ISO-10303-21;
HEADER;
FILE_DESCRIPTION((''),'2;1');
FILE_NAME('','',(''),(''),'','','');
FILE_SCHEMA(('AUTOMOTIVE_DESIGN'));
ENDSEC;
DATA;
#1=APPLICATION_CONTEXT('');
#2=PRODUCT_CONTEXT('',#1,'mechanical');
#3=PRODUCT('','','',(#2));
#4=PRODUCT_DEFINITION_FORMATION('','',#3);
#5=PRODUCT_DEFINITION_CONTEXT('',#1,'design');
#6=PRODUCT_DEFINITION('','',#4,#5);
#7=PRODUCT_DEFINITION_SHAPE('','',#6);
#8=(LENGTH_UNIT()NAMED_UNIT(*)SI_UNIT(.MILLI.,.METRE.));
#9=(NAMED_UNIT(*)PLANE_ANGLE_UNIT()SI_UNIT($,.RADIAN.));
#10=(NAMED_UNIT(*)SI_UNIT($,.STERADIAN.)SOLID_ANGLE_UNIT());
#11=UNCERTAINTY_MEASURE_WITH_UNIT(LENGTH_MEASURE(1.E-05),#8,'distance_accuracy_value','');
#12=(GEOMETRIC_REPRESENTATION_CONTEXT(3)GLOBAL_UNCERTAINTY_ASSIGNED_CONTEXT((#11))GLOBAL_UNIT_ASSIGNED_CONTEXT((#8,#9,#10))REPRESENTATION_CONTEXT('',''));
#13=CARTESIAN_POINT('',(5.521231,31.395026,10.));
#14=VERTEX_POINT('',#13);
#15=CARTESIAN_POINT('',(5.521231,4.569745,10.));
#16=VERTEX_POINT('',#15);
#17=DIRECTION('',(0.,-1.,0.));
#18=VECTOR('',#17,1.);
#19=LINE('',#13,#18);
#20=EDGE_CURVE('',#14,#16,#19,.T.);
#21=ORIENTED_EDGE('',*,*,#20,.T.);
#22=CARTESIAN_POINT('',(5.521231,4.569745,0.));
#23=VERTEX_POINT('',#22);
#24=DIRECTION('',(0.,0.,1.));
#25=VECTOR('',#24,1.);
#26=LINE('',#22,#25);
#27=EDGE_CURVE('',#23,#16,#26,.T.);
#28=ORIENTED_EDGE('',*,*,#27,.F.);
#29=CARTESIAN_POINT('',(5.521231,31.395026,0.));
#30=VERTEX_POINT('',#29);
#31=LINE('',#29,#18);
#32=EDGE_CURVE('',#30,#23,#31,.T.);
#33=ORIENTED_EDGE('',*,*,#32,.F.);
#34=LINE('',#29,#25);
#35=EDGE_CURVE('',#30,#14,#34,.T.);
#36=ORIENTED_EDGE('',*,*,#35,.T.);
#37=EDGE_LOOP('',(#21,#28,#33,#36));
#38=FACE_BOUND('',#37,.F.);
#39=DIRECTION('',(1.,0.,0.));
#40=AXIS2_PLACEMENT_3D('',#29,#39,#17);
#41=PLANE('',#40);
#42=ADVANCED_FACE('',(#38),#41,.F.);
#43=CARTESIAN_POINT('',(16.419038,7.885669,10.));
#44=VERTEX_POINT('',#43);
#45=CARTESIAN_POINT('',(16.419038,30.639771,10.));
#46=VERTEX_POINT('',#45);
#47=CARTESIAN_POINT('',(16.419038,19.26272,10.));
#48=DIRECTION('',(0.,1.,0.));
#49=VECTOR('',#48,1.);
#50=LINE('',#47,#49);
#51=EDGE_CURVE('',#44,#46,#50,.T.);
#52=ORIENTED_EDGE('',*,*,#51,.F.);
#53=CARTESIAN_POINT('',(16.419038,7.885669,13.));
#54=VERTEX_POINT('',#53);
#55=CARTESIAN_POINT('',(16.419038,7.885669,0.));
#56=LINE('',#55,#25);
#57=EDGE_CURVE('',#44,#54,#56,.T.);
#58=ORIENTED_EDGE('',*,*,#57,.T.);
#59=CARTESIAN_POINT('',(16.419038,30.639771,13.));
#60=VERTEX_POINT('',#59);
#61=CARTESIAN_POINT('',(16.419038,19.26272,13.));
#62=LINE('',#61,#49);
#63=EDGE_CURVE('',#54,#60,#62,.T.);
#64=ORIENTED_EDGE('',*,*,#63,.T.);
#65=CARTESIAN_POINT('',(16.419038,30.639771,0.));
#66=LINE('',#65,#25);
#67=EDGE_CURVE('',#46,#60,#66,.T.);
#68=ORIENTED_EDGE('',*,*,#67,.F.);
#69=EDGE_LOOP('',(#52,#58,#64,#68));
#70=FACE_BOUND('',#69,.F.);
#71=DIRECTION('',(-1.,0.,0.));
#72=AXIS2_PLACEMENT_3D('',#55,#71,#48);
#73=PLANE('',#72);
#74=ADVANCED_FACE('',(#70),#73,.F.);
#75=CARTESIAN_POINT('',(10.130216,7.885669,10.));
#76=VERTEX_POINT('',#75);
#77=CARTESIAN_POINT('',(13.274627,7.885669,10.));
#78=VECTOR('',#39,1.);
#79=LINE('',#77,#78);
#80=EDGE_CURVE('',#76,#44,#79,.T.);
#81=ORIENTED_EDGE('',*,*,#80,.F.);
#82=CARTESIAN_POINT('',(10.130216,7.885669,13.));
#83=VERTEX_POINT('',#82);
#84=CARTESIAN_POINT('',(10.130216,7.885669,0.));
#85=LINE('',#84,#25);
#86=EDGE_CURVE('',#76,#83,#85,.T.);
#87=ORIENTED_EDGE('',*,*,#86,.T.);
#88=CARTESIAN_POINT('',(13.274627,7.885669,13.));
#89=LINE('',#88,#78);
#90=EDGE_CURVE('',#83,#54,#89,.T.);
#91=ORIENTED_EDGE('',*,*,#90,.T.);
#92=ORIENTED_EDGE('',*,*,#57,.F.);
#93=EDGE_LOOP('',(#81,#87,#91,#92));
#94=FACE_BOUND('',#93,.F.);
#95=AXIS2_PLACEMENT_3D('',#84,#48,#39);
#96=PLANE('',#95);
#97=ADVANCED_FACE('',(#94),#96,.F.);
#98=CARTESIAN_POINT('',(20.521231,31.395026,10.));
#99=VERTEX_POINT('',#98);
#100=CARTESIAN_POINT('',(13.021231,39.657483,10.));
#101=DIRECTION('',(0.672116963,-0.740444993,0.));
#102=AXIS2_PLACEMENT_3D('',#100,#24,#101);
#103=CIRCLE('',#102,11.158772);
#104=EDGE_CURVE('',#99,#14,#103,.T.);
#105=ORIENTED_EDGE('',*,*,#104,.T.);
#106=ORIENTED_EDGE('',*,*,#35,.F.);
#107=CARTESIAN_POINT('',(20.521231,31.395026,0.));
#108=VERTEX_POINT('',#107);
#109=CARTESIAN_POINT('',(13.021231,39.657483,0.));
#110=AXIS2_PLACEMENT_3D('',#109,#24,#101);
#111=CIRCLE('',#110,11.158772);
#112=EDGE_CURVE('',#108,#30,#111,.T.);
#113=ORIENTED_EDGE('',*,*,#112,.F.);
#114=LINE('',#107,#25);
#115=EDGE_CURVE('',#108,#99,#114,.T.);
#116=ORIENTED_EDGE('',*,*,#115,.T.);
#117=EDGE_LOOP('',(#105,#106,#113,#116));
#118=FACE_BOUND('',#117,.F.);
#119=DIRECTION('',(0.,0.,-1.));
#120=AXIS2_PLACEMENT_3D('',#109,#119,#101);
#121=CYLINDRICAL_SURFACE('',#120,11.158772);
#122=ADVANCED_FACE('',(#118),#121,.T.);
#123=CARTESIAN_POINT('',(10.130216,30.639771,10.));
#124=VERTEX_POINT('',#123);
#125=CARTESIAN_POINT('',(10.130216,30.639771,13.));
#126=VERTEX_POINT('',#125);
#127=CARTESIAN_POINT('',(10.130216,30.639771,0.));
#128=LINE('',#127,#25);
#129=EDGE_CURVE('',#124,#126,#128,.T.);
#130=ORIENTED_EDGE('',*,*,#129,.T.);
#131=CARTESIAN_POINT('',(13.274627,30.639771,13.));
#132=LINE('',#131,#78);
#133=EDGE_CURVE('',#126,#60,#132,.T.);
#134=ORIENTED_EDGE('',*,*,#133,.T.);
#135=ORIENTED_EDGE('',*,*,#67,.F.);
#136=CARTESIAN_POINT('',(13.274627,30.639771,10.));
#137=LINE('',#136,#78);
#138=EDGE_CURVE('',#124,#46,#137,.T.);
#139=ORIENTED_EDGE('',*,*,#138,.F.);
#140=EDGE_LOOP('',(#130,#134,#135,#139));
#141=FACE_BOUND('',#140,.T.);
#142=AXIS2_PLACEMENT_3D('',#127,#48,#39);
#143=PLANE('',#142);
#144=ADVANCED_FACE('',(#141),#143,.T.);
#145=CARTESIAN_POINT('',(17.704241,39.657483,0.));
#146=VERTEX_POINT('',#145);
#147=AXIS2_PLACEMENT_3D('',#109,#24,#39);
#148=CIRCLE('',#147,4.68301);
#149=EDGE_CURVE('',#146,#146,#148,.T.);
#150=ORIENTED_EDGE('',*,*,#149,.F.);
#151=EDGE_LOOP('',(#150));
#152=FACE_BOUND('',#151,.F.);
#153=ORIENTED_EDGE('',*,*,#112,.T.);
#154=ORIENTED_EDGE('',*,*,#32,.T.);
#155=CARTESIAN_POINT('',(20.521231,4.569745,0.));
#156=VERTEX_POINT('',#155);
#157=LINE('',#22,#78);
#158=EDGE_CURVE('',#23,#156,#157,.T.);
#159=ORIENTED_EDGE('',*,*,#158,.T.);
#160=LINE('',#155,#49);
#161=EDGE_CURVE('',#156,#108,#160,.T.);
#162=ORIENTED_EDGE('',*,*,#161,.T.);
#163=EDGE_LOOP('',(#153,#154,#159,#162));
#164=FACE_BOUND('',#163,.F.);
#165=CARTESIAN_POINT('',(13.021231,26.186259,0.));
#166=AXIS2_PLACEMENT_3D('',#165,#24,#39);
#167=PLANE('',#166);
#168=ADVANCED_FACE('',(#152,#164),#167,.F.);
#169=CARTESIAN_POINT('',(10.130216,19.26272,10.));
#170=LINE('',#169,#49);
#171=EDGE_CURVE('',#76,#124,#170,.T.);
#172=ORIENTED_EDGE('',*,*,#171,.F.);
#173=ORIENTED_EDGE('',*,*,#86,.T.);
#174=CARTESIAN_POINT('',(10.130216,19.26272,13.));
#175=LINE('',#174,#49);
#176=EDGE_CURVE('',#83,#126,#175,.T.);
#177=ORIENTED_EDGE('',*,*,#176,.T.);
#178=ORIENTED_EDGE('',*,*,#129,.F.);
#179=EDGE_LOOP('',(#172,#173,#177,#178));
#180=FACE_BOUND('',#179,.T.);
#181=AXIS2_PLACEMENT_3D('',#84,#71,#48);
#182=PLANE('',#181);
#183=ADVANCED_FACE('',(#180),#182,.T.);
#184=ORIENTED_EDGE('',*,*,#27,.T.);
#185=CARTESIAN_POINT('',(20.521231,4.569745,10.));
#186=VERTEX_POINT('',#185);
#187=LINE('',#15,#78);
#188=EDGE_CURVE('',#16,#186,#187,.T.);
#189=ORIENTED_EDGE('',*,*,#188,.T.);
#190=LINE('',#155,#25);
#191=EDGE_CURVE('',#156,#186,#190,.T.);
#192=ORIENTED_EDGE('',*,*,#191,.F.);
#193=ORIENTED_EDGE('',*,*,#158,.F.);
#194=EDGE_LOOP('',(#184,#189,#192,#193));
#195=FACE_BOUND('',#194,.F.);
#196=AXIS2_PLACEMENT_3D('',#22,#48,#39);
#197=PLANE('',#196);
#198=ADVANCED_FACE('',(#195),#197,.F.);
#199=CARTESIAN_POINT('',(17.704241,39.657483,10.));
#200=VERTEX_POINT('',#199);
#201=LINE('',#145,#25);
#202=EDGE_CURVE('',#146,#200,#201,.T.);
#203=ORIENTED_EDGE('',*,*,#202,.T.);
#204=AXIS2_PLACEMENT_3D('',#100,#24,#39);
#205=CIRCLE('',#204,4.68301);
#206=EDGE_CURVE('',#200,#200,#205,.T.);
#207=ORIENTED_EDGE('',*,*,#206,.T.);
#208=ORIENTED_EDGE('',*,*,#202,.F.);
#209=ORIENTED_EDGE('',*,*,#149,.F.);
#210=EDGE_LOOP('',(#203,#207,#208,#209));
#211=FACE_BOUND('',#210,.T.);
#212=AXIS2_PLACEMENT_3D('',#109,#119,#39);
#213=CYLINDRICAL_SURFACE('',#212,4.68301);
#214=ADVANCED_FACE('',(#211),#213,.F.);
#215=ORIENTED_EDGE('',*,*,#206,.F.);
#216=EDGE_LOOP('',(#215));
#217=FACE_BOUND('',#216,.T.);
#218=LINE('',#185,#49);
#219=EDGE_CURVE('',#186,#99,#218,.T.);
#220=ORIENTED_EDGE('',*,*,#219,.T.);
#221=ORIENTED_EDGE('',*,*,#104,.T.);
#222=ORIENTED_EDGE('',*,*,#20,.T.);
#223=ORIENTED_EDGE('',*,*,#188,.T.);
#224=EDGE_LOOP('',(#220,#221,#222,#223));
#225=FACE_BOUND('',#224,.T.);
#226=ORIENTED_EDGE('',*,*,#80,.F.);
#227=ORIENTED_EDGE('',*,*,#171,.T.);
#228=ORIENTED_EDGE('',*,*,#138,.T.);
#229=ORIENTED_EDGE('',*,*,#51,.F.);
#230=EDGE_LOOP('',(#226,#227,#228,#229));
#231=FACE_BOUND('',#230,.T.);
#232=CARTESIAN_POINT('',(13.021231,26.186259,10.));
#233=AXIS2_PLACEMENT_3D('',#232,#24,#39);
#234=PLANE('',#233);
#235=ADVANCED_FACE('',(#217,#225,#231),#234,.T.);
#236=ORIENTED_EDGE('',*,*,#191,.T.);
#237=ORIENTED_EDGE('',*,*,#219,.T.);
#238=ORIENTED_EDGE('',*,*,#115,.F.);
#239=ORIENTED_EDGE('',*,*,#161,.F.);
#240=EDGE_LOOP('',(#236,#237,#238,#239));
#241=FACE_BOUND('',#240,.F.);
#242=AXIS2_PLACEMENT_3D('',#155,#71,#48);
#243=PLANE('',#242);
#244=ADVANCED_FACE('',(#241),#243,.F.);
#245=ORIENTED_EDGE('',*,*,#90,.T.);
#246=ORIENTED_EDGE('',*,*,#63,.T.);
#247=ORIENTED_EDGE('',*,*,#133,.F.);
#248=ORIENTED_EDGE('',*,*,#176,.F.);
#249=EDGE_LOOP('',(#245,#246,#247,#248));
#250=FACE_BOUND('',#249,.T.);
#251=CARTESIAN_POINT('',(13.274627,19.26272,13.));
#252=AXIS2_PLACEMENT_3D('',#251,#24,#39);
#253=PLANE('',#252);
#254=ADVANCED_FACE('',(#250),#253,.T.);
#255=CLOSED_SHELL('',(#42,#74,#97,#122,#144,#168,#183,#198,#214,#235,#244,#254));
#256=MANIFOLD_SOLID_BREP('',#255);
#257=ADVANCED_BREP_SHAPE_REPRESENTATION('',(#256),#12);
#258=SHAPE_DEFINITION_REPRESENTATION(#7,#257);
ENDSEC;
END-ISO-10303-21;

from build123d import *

# Parameters (mm, degrees)
F0_W     = 6.288823
F0_H     = 22.754102
F0_R     = 4.68301
F1_DEPTH = 10
F2_DEPTH = 13


with BuildPart() as f1:
    # F0 (on Top) → F1 (new body)
    with BuildSketch(Plane.XY):
        with BuildLine():
            Line((20.521231, 4.569745), (20.521231, 31.395026))
            ThreePointArc((20.521231, 31.395026), (13.021231, 50.816255), (5.521231, 31.395026))
            Line((5.521231, 31.395026), (5.521231, 4.569745))
            Line((5.521231, 4.569745), (20.521231, 4.569745))
        make_face()
        with Locations((13.274627, 19.26272)):
            Rectangle(F0_W, F0_H, mode=Mode.SUBTRACT)
        with Locations((13.021231, 39.657483)):
            Circle(F0_R, mode=Mode.SUBTRACT)
    extrude(amount=F1_DEPTH)

    # F0 (on Top) → F2 (join)
    with BuildSketch(Plane.XY):
        with Locations((13.274627, 19.26272)):
            Rectangle(F0_W, F0_H)
    extrude(amount=F2_DEPTH)


solid = f1.part
